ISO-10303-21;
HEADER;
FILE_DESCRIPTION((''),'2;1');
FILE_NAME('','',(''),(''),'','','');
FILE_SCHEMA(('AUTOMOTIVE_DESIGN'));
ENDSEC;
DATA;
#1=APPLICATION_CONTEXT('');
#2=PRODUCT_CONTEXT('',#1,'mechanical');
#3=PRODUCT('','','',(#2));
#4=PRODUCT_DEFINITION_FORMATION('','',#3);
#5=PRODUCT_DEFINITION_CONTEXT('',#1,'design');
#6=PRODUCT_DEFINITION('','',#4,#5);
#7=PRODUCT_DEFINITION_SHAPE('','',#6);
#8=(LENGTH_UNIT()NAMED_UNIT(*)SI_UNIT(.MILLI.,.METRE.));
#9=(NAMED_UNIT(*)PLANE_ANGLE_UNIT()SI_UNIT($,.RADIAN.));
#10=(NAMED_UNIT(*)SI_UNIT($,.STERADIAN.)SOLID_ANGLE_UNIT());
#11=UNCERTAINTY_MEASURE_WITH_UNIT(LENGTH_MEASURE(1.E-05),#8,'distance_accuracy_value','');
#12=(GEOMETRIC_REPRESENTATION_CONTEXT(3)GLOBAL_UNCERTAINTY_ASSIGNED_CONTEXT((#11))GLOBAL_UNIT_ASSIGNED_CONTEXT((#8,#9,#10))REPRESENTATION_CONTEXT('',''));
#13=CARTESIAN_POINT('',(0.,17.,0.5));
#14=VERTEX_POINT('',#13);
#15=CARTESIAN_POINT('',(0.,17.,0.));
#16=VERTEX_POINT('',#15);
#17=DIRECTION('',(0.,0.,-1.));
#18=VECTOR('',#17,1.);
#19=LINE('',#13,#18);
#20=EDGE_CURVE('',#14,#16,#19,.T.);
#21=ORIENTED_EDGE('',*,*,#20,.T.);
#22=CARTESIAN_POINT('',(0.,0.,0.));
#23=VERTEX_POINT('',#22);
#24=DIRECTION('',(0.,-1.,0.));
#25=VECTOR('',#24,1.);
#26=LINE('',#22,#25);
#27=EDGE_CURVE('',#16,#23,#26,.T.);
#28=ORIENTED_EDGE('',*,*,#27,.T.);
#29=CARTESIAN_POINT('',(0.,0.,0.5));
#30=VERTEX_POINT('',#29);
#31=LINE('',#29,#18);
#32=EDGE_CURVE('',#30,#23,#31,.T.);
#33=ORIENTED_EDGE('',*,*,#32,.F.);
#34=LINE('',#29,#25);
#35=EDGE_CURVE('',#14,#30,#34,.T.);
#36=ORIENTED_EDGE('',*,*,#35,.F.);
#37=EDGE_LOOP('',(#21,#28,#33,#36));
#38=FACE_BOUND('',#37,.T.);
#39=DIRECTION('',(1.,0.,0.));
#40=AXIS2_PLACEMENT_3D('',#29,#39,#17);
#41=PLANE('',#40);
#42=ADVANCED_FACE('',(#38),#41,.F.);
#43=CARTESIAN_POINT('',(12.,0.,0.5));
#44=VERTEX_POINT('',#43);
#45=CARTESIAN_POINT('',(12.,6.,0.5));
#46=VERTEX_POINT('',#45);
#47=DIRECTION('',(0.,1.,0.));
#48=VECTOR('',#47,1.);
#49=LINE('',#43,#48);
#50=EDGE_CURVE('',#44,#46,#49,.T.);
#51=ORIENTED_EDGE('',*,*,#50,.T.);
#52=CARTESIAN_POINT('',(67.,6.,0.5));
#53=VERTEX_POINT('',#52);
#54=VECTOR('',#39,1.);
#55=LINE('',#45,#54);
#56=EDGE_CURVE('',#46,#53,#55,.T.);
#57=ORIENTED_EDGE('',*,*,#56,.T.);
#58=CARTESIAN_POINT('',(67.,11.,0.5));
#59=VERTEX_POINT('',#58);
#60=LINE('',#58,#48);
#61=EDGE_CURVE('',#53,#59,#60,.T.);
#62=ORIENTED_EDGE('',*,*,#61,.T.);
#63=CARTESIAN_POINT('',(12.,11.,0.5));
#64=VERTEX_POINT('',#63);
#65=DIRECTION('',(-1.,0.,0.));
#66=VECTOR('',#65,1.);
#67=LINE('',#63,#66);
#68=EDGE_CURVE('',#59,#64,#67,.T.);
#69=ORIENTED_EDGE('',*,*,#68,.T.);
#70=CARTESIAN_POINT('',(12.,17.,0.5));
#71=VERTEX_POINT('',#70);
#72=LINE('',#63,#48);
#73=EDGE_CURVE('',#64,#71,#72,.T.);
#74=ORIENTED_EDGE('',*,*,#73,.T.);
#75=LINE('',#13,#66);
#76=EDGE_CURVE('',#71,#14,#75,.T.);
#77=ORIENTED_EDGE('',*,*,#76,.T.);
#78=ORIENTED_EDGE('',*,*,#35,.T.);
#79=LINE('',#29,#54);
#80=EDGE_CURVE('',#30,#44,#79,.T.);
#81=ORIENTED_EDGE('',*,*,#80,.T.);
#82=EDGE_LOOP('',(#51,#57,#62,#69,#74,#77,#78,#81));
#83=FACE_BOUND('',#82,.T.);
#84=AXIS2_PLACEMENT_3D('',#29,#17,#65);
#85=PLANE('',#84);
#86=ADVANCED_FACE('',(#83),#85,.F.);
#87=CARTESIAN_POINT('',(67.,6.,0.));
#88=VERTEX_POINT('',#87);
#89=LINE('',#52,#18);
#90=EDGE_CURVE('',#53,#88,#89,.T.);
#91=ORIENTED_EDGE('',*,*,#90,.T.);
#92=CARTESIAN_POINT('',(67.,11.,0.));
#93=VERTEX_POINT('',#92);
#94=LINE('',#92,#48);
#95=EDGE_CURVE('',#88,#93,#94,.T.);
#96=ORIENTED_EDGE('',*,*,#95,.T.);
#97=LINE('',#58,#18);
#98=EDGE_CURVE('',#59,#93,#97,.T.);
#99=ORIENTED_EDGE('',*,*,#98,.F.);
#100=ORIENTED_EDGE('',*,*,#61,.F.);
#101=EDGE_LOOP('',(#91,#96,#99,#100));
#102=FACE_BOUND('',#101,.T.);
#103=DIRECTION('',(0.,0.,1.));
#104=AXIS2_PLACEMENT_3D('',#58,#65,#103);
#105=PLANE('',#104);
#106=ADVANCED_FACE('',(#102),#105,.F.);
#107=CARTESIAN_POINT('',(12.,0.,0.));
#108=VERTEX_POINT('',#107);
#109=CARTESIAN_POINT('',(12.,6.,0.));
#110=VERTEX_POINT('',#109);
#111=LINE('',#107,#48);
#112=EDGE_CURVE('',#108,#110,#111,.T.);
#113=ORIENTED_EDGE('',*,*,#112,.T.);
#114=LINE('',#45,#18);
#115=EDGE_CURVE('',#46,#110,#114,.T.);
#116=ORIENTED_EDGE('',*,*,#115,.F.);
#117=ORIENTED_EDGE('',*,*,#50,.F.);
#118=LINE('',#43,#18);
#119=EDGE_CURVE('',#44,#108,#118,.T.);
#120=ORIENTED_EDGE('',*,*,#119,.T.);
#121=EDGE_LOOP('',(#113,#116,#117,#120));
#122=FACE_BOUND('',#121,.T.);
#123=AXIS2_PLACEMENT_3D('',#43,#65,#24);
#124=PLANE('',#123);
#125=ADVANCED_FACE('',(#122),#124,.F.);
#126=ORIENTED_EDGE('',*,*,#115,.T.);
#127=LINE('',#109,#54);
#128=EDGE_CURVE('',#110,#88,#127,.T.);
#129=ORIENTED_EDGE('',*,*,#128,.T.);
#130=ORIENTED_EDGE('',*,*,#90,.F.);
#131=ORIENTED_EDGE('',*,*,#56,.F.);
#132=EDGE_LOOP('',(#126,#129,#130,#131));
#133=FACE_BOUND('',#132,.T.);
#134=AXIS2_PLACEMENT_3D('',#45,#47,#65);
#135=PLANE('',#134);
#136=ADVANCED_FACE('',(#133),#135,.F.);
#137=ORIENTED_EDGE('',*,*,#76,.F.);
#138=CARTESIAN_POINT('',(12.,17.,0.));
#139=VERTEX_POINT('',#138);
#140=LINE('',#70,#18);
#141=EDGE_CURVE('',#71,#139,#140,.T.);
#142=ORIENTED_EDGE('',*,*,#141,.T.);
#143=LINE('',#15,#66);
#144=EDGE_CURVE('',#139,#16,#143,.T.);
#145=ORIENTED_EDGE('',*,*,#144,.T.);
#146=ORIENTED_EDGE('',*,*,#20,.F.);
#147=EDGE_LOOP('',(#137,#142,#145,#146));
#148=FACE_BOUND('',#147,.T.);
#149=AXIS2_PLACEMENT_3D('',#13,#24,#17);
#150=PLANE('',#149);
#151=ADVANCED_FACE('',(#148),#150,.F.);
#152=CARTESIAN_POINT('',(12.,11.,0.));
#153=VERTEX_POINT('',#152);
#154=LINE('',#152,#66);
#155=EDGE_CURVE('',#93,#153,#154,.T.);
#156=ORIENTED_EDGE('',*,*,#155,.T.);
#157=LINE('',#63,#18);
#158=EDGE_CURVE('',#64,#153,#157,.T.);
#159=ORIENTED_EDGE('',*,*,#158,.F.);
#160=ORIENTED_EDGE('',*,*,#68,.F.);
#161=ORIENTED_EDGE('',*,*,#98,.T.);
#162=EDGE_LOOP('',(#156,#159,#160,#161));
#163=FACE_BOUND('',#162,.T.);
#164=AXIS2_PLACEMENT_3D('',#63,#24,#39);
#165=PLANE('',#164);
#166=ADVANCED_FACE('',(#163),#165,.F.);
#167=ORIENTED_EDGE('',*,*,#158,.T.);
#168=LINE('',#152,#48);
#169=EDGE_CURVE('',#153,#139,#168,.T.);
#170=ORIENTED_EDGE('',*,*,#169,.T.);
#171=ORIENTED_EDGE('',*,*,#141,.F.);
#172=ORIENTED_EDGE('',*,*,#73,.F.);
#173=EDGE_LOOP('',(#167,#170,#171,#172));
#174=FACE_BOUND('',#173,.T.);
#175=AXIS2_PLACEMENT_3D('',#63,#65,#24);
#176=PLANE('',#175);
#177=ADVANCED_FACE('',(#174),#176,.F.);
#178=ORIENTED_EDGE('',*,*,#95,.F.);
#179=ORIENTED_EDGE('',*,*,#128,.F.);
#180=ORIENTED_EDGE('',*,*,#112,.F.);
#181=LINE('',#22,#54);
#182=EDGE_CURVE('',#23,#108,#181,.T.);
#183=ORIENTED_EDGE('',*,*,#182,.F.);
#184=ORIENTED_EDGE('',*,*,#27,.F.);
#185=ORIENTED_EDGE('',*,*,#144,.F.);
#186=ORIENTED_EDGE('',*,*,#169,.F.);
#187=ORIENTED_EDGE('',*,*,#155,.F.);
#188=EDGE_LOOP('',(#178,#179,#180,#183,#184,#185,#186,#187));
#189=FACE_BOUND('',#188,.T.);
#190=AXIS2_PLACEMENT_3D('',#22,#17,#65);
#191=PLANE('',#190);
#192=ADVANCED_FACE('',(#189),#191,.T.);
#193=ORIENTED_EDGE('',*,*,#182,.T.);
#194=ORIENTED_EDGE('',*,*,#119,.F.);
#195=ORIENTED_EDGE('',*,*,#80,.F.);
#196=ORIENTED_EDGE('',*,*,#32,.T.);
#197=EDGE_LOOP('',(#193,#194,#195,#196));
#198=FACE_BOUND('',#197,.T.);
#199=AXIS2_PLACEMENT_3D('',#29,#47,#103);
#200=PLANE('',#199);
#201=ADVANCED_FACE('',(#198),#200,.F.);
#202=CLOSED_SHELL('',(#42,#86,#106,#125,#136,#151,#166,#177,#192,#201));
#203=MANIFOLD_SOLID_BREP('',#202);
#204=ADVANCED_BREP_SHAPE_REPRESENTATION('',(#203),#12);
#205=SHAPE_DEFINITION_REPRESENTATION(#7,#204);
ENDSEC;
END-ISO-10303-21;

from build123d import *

# Parameters (mm, degrees)
SALIENTE_EXTRUIR1_DEPTH = 0.5


with BuildPart() as part:
    # Croquis1 → Saliente-Extruir1 (new body)
    with BuildSketch(Plane.XY):
        Polygon((0, 0), (12, 0), (12, 6), (67, 6), (67, 11), (12, 11), (12, 17), (0, 17), align=None)
    extrude(amount=SALIENTE_EXTRUIR1_DEPTH)


solid = part.part
